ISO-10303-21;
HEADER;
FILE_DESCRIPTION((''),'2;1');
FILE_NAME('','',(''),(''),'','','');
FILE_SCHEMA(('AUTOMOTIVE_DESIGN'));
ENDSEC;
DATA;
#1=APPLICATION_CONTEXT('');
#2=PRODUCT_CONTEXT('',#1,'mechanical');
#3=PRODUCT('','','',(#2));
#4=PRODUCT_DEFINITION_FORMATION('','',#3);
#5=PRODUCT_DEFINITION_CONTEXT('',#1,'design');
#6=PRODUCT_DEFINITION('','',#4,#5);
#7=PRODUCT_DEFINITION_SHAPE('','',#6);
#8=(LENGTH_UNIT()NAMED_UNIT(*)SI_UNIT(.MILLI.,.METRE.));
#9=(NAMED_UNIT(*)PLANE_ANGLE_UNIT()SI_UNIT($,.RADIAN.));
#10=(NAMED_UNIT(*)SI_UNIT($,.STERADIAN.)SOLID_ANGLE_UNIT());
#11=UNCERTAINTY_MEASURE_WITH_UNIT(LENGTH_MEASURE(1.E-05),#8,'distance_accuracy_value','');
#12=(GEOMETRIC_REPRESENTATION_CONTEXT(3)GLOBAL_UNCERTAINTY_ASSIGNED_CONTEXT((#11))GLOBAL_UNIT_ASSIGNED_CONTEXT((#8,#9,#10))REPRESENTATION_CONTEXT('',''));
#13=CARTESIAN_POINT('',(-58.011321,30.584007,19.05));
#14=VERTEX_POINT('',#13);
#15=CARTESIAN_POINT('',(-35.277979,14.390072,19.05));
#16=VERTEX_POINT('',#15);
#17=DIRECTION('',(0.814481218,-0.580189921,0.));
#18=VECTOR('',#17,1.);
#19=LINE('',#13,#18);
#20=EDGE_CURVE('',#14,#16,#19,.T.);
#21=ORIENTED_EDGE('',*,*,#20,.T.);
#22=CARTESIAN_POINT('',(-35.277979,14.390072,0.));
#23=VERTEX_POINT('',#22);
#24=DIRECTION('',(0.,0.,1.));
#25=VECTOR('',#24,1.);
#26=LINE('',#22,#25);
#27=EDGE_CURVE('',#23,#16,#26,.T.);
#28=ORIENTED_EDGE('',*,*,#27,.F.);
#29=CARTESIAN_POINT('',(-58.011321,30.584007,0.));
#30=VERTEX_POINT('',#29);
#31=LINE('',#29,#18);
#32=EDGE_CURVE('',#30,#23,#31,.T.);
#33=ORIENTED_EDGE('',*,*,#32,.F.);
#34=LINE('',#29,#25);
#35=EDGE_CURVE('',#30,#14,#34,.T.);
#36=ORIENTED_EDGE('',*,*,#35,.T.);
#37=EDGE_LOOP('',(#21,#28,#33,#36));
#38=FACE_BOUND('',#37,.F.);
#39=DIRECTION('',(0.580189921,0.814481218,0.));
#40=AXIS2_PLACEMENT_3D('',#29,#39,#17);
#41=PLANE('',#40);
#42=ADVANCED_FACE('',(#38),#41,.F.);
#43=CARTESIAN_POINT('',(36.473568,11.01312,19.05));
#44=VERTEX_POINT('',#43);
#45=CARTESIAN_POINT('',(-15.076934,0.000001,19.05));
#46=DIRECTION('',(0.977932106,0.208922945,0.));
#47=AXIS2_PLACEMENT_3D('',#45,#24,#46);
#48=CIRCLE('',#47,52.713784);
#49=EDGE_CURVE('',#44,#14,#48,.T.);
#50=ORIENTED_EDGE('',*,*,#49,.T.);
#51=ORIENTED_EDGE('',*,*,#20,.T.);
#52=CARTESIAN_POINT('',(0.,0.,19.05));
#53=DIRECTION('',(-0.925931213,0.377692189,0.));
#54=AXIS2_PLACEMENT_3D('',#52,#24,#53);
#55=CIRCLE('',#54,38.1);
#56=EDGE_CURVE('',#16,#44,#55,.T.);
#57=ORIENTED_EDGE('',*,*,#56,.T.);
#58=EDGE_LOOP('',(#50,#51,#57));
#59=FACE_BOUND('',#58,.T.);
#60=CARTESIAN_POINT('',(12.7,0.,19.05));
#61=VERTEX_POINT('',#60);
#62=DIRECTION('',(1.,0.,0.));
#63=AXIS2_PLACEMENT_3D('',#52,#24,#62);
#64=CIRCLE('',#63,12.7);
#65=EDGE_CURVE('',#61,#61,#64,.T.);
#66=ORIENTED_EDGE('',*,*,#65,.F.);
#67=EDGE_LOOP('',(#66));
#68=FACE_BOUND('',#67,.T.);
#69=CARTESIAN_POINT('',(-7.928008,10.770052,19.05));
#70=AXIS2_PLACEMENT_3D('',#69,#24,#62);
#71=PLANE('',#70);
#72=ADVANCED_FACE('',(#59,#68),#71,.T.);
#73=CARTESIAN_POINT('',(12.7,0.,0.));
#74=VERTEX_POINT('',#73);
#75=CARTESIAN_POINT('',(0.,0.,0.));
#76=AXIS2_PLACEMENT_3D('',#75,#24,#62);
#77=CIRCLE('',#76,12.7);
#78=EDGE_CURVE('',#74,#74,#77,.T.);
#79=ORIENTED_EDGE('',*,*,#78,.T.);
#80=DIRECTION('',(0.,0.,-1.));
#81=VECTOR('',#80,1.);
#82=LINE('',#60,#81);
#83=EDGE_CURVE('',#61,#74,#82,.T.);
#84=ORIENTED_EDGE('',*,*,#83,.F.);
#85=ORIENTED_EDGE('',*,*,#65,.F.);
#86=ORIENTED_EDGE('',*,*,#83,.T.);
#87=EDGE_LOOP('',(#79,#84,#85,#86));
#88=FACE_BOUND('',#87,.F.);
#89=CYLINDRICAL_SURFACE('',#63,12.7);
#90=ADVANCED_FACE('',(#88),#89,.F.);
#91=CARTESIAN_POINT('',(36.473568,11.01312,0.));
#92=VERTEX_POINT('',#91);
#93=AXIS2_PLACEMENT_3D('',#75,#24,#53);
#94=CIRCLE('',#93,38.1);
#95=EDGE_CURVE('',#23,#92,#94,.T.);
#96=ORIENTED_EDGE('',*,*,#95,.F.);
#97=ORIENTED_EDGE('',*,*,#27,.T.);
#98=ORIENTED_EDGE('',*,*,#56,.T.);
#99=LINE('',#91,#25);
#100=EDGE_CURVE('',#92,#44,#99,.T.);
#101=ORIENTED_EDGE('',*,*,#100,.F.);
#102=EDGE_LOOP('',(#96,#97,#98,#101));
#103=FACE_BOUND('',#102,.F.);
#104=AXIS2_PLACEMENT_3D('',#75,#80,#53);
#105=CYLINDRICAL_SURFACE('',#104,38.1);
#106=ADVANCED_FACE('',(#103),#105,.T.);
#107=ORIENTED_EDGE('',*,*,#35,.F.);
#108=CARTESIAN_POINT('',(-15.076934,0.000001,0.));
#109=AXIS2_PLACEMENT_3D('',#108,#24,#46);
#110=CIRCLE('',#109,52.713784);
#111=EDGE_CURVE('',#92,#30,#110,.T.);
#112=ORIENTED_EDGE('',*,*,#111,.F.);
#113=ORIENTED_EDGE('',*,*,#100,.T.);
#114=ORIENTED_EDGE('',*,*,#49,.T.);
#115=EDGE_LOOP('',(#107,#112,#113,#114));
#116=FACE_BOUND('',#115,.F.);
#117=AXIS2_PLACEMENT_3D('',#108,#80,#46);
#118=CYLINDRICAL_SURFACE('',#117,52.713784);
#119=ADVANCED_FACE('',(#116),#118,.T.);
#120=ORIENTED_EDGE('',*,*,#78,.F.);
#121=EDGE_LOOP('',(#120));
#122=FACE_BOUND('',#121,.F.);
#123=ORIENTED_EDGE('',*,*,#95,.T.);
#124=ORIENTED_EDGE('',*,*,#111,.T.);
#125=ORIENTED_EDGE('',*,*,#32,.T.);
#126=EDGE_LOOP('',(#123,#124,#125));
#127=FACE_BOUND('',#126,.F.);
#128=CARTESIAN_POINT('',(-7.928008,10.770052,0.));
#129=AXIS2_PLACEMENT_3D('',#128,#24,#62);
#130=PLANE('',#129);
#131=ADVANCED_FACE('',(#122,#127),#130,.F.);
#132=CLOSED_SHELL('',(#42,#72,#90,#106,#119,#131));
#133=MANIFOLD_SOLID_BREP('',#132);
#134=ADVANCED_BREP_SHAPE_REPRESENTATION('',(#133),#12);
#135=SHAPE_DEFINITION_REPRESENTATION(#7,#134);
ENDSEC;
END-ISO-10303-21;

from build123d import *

# Parameters (mm, degrees)
F1_DEPTH = 19.05
F2_R     = 12.7
F3_DEPTH = 25.4


with BuildPart() as f1:
    # F0 (on Top) → F1 (new body)
    with BuildSketch(Plane.XY):
        with BuildLine():
            Line((-58.011321, 30.584007), (-35.277979, 14.390072))
            ThreePointArc((-35.277979, 14.390072), (-1.791175, -38.057873), (36.473568, 11.01312))
            ThreePointArc((36.473568, 11.01312), (-4.385149, 51.618106), (-58.011321, 30.584007))
        make_face()
    extrude(amount=F1_DEPTH)

    # F2 (on face) → F3 (cut)
    with BuildSketch(Plane.XY.offset(19.05)):
        Circle(F2_R)
    extrude(amount=-F3_DEPTH, mode=Mode.SUBTRACT)


solid = f1.part
